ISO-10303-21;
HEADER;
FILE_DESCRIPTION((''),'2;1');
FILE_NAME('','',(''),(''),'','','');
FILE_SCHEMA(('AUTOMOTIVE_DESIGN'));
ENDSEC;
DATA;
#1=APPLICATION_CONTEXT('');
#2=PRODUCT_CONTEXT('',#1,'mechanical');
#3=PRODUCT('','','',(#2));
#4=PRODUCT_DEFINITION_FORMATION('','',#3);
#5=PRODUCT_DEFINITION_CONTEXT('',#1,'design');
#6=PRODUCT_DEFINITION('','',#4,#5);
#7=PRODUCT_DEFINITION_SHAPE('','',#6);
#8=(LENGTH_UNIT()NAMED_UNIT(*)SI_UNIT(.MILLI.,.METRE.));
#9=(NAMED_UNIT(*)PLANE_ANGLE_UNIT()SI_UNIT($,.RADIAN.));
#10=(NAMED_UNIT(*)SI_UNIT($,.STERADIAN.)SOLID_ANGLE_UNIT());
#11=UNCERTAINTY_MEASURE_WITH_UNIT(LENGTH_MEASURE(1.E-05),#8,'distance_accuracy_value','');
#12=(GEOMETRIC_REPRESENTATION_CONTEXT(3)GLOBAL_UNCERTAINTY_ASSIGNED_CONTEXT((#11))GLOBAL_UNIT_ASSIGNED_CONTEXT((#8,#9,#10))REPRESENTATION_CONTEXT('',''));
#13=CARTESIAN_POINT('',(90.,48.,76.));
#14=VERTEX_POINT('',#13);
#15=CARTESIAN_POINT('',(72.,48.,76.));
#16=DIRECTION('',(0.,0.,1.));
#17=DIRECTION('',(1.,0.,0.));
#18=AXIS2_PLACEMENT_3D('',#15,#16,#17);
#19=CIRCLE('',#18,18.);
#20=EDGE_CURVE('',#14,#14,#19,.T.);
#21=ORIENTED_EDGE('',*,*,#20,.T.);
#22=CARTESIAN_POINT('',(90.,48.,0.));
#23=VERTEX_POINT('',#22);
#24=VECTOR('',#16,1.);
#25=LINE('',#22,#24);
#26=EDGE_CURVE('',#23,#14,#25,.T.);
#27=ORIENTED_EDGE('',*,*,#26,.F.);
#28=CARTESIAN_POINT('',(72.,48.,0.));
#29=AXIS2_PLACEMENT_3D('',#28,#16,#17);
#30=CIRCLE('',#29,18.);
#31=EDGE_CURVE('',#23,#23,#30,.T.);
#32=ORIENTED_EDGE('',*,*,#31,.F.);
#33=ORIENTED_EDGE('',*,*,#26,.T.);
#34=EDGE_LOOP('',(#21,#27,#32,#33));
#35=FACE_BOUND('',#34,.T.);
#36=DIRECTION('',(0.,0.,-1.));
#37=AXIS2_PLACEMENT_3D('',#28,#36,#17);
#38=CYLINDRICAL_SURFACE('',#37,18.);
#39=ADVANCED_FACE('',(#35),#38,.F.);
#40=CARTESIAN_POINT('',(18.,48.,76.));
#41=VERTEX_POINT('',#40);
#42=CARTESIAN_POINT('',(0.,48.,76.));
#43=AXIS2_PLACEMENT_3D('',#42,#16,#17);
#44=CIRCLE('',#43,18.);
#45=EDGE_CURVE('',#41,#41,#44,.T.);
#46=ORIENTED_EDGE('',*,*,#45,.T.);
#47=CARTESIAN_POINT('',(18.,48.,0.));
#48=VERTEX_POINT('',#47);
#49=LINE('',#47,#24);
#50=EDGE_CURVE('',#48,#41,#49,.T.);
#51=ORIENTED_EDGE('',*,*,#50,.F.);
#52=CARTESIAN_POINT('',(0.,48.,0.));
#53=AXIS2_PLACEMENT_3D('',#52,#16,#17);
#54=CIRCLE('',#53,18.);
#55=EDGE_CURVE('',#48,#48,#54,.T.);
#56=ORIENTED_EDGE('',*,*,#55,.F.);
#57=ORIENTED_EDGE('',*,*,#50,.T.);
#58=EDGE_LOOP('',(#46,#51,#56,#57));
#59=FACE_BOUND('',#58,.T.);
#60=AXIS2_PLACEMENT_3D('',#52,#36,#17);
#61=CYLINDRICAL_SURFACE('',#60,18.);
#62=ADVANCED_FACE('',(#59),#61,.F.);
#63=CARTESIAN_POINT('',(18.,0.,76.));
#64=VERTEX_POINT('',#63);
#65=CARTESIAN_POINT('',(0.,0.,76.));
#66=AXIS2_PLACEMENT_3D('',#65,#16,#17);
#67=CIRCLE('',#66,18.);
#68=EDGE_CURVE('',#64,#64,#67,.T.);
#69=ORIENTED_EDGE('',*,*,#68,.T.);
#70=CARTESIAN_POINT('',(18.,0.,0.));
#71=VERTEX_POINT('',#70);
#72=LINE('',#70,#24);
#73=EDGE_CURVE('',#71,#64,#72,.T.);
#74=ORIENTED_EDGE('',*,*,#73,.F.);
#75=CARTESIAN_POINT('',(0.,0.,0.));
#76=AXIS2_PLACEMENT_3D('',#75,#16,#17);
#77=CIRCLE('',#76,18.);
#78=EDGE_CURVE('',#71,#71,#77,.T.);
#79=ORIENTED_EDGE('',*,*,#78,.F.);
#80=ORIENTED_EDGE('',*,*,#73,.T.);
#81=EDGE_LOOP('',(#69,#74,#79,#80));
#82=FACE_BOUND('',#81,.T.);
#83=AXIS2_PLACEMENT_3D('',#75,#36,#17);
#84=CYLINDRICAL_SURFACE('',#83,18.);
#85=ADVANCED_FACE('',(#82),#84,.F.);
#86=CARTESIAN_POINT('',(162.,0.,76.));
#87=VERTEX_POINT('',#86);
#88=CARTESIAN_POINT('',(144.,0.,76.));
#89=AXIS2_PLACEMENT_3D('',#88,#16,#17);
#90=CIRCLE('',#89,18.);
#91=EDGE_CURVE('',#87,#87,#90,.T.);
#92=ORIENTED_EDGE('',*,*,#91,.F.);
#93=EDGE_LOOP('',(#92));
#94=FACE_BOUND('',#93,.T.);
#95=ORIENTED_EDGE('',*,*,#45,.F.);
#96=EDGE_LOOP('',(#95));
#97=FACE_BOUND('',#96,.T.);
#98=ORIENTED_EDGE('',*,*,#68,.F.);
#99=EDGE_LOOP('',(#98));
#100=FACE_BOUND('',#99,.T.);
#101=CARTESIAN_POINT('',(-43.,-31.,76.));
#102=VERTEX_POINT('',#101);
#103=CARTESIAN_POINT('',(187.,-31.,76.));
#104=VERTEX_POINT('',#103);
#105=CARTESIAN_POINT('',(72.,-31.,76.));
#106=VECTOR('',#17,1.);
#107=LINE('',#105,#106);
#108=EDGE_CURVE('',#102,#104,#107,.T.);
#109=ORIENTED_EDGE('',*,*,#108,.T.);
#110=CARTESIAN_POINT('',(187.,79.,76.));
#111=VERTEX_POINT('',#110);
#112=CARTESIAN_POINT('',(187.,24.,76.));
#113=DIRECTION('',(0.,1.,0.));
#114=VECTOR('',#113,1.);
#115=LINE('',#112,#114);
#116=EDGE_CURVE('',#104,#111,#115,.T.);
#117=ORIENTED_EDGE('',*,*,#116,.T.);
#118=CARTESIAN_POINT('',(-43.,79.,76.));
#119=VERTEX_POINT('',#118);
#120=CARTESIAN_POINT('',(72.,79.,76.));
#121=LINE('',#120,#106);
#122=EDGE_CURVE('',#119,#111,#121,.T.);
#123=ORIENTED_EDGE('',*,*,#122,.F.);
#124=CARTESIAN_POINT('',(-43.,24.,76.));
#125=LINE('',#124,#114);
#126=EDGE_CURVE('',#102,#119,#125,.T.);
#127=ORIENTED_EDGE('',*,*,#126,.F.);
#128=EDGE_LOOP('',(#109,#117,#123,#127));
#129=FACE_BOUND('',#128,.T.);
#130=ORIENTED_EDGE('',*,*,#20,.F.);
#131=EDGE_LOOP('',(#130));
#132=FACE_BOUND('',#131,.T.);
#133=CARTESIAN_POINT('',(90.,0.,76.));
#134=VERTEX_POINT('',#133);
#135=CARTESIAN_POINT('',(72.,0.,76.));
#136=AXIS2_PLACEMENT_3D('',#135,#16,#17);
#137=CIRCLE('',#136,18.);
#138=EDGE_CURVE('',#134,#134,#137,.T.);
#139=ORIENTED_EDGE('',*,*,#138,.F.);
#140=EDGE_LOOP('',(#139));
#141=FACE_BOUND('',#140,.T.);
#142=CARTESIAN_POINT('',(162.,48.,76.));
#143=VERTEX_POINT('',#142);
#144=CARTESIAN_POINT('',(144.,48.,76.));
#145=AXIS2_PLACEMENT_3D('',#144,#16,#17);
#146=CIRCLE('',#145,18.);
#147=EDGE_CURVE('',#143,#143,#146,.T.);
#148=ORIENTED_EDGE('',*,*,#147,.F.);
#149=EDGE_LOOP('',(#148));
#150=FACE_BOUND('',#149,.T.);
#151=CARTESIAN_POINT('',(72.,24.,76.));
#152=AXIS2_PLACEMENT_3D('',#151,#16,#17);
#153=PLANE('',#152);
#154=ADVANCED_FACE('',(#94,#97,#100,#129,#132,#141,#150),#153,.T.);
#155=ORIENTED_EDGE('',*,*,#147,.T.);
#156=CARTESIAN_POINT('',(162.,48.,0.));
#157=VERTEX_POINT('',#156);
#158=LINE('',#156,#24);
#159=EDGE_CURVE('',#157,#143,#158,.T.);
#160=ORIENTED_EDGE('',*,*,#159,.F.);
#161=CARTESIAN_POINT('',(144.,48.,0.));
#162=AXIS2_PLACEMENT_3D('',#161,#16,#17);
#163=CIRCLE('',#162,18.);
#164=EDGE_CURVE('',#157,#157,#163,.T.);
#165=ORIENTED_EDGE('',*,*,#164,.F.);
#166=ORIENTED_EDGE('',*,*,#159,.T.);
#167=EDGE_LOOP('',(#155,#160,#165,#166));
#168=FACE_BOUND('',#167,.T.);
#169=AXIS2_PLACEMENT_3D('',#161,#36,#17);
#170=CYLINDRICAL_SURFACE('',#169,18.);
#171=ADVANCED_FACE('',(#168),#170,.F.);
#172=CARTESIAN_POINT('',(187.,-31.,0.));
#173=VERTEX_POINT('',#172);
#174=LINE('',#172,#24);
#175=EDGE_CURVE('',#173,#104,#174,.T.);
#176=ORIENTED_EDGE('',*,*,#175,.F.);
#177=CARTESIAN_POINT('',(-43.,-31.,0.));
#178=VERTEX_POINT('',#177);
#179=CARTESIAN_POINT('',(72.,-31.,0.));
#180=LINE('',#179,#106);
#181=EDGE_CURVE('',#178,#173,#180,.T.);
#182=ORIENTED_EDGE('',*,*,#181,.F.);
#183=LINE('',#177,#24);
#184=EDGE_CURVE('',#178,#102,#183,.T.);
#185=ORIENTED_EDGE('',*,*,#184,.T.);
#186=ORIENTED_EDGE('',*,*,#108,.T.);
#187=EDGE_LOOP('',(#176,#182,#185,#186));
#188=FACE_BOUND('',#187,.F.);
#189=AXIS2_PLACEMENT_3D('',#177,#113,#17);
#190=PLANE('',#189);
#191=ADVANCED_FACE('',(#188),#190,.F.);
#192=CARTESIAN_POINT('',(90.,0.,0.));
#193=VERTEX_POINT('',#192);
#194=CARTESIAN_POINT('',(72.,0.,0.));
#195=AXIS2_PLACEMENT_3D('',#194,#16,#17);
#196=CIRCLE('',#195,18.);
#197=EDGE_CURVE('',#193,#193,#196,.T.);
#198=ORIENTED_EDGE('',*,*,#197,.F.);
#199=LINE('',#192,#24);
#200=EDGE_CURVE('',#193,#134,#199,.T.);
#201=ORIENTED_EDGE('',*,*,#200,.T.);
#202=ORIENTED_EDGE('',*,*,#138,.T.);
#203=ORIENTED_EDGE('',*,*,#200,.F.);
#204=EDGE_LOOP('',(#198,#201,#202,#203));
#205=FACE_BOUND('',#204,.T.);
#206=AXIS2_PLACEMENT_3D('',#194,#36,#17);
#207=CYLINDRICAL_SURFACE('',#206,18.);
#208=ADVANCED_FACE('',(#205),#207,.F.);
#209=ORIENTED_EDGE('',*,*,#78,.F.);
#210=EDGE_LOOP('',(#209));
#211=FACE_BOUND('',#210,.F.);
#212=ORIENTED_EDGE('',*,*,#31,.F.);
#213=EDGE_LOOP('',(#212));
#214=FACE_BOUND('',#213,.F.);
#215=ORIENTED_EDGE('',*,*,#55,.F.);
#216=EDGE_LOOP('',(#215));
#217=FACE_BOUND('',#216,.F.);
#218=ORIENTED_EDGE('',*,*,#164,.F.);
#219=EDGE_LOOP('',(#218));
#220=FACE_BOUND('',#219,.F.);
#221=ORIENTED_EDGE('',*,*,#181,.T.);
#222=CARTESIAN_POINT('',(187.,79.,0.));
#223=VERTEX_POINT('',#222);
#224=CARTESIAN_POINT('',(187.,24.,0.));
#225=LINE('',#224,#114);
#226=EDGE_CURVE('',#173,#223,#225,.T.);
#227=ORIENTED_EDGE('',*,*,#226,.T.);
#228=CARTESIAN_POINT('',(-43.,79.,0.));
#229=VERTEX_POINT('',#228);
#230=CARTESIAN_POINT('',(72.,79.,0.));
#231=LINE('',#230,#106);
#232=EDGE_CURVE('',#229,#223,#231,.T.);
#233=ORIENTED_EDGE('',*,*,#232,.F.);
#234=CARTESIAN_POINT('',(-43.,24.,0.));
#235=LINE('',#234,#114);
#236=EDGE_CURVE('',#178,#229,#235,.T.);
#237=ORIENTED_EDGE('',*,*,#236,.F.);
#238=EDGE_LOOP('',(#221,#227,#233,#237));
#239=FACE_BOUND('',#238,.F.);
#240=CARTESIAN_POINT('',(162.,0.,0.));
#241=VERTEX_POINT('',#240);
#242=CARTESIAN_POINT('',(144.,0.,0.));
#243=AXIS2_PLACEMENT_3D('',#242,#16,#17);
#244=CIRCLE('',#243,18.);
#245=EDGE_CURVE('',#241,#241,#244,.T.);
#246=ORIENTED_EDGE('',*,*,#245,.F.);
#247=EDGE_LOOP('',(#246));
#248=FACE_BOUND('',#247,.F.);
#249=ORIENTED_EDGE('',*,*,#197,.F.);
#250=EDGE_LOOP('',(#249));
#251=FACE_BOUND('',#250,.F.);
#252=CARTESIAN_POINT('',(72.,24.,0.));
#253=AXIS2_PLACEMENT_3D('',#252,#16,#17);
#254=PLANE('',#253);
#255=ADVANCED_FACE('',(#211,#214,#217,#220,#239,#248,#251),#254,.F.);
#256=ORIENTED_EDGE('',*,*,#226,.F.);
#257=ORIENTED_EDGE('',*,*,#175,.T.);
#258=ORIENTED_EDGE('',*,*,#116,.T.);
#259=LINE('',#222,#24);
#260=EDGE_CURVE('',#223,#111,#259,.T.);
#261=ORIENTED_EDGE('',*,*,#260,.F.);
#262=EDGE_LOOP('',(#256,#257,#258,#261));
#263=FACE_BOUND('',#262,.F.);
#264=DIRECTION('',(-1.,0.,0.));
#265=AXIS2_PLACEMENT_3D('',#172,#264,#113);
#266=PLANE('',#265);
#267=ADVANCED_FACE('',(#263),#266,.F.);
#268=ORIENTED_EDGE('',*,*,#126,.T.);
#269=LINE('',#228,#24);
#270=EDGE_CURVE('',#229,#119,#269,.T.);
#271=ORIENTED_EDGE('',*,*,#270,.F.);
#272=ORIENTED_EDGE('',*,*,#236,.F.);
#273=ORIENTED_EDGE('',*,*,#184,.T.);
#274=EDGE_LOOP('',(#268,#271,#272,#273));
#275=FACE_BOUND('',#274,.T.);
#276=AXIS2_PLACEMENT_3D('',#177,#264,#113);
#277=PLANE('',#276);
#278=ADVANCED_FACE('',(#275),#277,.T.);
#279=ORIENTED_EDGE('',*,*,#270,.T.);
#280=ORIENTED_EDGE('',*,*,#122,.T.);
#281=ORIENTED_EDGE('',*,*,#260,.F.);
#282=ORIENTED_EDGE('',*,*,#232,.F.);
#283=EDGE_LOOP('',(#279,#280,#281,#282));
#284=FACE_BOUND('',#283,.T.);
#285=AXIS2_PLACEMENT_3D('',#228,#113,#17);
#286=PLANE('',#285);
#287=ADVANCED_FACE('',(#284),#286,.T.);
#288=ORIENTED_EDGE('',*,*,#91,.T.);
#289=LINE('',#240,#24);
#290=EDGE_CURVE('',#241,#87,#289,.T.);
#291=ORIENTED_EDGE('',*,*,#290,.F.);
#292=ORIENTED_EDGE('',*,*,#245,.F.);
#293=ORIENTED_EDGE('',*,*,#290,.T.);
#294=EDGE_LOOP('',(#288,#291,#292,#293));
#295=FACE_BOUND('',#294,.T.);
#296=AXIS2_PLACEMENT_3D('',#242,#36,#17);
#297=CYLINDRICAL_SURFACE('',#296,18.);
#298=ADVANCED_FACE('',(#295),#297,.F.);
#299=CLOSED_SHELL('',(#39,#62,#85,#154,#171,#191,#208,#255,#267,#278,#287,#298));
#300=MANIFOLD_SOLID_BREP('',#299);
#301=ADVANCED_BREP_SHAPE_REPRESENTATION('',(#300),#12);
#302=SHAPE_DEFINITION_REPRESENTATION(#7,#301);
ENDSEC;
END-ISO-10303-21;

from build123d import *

# Parameters (mm, degrees)
CYLINDER002_R     = 18
CYLINDER002_DEPTH = 76
CYLINDER001_R     = 18
CYLINDER001_DEPTH = 76
CYLINDER003_R     = 18
CYLINDER003_DEPTH = 76
CYLINDER005_R     = 18
CYLINDER005_DEPTH = 76
CYLINDER004_R     = 18
CYLINDER004_DEPTH = 76
CYLINDER_R        = 18
CYLINDER_DEPTH    = 76
BOX_W             = 230
BOX_H             = 110
BOX_DEPTH         = 76


with BuildPart() as cilindre3_fila1:
    # Cylinder002 → Cylinder002 (new body)
    with BuildSketch(Plane(origin=(144, 0, 0), x_dir=(1, 0, 0), z_dir=(0, 0, 1))):
        Circle(CYLINDER002_R)
    extrude(amount=CYLINDER002_DEPTH)


with BuildPart() as cilindre2_fila1:
    # Cylinder001 → Cylinder001 (new body)
    with BuildSketch(Plane(origin=(72, 0, 0), x_dir=(1, 0, 0), z_dir=(0, 0, 1))):
        Circle(CYLINDER001_R)
    extrude(amount=CYLINDER001_DEPTH)


with BuildPart() as cilindre2_fila2:
    # Cylinder003 → Cylinder003 (new body)
    with BuildSketch(Plane(origin=(72, 48, 0), x_dir=(1, 0, 0), z_dir=(0, 0, 1))):
        Circle(CYLINDER003_R)
    extrude(amount=CYLINDER003_DEPTH)


with BuildPart() as cilindre3_fila2:
    # Cylinder005 → Cylinder005 (new body)
    with BuildSketch(Plane(origin=(144, 48, 0), x_dir=(1, 0, 0), z_dir=(0, 0, 1))):
        Circle(CYLINDER005_R)
    extrude(amount=CYLINDER005_DEPTH)


with BuildPart() as cilindre1_fila2:
    # Cylinder004 → Cylinder004 (new body)
    with BuildSketch(Plane(origin=(0, 48, 0), x_dir=(1, 0, 0), z_dir=(0, 0, 1))):
        Circle(CYLINDER004_R)
    extrude(amount=CYLINDER004_DEPTH)


with BuildPart() as fusion:
    # Cylinder → Cylinder (new body)
    with BuildSketch(Plane.XY):
        Circle(CYLINDER_R)
    extrude(amount=CYLINDER_DEPTH)

    # Fusion: union Cilindre3_Fila1, Cilindre2-Fila1, Cilindre2-Fila2, Cilindre3-Fila2, Cilindre1-Fila2
    add(cilindre3_fila1.part)
    add(cilindre2_fila1.part)
    add(cilindre2_fila2.part)
    add(cilindre3_fila2.part)
    add(cilindre1_fila2.part)


with BuildPart() as cut:
    # Box → Box (new body)
    with BuildSketch(Plane(origin=(-43, -31, 0), x_dir=(1, 0, 0), z_dir=(0, 0, 1))):
        with Locations((115, 55)):
            Rectangle(BOX_W, BOX_H)
    extrude(amount=BOX_DEPTH)

    # Cut: cut Fusion
    add(fusion.part, mode=Mode.SUBTRACT)


solid = cut.part
